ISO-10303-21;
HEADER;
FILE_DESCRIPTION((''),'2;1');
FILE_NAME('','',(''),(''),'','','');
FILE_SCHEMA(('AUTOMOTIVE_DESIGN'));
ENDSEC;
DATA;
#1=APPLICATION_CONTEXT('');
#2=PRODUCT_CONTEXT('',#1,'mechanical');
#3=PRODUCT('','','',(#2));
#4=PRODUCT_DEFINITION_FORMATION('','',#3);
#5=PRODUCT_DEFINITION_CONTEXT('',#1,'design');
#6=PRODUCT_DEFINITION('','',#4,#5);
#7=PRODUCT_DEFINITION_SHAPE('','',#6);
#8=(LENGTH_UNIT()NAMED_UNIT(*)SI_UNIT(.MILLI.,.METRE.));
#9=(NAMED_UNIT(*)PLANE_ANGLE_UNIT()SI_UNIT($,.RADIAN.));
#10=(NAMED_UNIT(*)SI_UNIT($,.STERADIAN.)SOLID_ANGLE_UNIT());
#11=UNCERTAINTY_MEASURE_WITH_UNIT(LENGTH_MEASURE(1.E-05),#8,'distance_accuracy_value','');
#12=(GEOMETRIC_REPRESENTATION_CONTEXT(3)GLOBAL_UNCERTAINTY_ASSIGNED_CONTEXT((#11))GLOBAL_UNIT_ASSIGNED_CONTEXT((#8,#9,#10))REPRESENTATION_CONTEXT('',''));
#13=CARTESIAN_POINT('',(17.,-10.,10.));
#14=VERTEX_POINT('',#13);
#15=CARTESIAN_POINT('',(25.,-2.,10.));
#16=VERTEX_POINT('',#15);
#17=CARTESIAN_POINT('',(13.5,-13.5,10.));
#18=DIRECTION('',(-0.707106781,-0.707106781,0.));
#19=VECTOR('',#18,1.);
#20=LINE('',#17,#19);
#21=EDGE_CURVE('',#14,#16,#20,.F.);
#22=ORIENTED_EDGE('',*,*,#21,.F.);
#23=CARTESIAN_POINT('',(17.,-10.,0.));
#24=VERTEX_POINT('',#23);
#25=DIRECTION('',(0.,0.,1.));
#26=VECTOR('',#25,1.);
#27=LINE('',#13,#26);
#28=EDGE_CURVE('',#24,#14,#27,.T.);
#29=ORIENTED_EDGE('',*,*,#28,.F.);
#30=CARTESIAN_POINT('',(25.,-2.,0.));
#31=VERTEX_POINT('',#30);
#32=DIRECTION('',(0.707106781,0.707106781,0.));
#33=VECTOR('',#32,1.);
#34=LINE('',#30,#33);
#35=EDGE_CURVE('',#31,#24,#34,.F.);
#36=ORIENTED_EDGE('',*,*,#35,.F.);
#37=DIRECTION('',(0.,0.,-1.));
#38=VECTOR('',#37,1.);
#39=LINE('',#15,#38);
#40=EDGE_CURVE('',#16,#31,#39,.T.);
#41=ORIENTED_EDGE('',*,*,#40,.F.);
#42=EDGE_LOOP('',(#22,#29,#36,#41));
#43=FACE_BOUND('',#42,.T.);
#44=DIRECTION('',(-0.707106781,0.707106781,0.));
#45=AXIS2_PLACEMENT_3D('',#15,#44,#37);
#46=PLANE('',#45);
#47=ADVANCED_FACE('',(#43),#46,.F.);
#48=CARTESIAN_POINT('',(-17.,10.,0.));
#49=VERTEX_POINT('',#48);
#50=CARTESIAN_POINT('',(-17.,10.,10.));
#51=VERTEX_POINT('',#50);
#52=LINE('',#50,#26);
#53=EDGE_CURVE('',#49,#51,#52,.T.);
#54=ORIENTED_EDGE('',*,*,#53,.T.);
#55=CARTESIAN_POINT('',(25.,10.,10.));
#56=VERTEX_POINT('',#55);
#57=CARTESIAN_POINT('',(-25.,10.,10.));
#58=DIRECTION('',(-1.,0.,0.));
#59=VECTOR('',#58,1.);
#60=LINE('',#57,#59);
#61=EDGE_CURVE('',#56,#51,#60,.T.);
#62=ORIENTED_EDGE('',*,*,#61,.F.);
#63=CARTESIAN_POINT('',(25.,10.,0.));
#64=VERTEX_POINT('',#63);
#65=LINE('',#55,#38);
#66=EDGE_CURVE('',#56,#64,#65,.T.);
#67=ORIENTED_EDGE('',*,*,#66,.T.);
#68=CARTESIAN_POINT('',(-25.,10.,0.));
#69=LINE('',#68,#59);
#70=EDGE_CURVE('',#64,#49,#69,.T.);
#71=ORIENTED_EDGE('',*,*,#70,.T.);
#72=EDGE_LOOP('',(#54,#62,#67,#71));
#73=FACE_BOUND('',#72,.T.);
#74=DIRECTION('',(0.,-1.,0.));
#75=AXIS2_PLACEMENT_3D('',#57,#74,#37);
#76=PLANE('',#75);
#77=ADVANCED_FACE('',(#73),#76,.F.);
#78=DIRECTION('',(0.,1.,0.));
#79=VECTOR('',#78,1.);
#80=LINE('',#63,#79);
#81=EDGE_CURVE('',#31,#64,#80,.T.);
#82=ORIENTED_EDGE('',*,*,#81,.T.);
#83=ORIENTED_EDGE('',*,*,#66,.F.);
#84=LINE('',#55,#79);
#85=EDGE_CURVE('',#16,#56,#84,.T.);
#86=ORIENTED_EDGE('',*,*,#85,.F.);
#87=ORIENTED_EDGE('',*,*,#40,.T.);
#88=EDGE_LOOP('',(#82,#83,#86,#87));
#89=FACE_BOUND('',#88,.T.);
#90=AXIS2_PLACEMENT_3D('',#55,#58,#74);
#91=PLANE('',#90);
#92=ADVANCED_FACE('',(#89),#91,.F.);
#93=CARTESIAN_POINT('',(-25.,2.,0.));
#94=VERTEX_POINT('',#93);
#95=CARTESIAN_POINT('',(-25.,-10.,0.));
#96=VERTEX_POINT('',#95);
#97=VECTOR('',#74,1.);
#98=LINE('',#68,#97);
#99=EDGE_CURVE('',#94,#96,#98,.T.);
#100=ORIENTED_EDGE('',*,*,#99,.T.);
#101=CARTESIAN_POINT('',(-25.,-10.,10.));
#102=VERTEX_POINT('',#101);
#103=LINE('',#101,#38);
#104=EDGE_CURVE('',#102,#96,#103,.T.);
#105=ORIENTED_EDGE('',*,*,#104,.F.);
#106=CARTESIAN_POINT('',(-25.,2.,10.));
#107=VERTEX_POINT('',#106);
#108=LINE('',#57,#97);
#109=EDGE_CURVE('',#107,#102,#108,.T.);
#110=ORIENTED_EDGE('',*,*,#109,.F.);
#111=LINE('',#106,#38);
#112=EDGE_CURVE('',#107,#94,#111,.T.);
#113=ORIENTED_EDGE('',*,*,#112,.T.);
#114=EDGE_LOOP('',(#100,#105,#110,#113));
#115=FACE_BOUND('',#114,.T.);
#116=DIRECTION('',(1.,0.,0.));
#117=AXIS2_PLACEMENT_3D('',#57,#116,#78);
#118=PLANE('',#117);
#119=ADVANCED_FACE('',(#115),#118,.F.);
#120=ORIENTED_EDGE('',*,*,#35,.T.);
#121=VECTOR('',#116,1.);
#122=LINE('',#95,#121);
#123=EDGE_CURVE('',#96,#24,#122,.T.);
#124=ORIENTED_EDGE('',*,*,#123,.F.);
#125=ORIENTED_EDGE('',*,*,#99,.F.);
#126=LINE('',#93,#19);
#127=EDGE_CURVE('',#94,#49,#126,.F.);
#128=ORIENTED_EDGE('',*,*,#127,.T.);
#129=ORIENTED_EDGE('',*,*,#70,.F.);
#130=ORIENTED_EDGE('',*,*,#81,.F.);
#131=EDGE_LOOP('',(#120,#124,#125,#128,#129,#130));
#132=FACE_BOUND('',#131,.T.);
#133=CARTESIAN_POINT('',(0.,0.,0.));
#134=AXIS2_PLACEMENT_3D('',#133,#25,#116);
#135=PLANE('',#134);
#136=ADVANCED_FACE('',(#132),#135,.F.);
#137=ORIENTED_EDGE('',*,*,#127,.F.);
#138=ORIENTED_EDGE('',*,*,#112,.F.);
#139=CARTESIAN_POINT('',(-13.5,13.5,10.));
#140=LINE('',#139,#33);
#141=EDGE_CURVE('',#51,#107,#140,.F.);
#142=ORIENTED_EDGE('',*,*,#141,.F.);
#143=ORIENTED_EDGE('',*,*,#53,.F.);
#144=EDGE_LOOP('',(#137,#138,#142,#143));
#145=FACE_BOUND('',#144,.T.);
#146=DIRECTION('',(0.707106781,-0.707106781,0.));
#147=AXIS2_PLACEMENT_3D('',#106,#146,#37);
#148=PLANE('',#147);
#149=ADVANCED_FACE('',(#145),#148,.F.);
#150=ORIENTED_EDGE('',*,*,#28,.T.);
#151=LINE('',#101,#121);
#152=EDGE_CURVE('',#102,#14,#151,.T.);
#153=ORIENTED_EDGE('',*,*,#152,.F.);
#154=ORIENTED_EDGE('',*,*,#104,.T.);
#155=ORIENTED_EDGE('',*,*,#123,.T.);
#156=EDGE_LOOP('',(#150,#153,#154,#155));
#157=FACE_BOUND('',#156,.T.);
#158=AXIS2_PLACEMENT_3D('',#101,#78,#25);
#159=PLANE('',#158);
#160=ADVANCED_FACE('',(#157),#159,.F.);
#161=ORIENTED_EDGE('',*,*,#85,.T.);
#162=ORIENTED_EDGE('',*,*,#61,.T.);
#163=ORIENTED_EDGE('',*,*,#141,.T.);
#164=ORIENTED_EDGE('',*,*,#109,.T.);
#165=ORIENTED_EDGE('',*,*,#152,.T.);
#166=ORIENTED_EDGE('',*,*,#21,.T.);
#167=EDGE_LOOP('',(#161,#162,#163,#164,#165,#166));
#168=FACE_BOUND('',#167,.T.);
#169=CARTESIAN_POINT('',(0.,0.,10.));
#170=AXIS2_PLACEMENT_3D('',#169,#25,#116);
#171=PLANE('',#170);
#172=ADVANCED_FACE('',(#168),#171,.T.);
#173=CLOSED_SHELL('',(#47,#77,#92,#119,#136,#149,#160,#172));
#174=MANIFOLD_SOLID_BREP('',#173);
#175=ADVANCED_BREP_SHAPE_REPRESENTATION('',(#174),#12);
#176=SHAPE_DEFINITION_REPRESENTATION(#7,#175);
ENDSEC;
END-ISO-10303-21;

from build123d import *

# Parameters (mm, degrees)
SKETCH_1_W      = 50
SKETCH_1_H      = 20
EXTRUDE_1_DEPTH = 10
CHAMFER_1_SIZE  = 8


with BuildPart() as part:
    # 草图1 → 凸台-拉伸1 (new body)
    with BuildSketch(Plane.XY):
        Rectangle(SKETCH_1_W, SKETCH_1_H)
    extrude(amount=EXTRUDE_1_DEPTH)

    # 倒角1
    chamfer_1_edges = [part.edges().sort_by_distance(p)[0] for p in [
        (25, -10, 5),
        (-25, 10, 5),
    ]]
    chamfer(chamfer_1_edges, length=CHAMFER_1_SIZE)


solid = part.part
